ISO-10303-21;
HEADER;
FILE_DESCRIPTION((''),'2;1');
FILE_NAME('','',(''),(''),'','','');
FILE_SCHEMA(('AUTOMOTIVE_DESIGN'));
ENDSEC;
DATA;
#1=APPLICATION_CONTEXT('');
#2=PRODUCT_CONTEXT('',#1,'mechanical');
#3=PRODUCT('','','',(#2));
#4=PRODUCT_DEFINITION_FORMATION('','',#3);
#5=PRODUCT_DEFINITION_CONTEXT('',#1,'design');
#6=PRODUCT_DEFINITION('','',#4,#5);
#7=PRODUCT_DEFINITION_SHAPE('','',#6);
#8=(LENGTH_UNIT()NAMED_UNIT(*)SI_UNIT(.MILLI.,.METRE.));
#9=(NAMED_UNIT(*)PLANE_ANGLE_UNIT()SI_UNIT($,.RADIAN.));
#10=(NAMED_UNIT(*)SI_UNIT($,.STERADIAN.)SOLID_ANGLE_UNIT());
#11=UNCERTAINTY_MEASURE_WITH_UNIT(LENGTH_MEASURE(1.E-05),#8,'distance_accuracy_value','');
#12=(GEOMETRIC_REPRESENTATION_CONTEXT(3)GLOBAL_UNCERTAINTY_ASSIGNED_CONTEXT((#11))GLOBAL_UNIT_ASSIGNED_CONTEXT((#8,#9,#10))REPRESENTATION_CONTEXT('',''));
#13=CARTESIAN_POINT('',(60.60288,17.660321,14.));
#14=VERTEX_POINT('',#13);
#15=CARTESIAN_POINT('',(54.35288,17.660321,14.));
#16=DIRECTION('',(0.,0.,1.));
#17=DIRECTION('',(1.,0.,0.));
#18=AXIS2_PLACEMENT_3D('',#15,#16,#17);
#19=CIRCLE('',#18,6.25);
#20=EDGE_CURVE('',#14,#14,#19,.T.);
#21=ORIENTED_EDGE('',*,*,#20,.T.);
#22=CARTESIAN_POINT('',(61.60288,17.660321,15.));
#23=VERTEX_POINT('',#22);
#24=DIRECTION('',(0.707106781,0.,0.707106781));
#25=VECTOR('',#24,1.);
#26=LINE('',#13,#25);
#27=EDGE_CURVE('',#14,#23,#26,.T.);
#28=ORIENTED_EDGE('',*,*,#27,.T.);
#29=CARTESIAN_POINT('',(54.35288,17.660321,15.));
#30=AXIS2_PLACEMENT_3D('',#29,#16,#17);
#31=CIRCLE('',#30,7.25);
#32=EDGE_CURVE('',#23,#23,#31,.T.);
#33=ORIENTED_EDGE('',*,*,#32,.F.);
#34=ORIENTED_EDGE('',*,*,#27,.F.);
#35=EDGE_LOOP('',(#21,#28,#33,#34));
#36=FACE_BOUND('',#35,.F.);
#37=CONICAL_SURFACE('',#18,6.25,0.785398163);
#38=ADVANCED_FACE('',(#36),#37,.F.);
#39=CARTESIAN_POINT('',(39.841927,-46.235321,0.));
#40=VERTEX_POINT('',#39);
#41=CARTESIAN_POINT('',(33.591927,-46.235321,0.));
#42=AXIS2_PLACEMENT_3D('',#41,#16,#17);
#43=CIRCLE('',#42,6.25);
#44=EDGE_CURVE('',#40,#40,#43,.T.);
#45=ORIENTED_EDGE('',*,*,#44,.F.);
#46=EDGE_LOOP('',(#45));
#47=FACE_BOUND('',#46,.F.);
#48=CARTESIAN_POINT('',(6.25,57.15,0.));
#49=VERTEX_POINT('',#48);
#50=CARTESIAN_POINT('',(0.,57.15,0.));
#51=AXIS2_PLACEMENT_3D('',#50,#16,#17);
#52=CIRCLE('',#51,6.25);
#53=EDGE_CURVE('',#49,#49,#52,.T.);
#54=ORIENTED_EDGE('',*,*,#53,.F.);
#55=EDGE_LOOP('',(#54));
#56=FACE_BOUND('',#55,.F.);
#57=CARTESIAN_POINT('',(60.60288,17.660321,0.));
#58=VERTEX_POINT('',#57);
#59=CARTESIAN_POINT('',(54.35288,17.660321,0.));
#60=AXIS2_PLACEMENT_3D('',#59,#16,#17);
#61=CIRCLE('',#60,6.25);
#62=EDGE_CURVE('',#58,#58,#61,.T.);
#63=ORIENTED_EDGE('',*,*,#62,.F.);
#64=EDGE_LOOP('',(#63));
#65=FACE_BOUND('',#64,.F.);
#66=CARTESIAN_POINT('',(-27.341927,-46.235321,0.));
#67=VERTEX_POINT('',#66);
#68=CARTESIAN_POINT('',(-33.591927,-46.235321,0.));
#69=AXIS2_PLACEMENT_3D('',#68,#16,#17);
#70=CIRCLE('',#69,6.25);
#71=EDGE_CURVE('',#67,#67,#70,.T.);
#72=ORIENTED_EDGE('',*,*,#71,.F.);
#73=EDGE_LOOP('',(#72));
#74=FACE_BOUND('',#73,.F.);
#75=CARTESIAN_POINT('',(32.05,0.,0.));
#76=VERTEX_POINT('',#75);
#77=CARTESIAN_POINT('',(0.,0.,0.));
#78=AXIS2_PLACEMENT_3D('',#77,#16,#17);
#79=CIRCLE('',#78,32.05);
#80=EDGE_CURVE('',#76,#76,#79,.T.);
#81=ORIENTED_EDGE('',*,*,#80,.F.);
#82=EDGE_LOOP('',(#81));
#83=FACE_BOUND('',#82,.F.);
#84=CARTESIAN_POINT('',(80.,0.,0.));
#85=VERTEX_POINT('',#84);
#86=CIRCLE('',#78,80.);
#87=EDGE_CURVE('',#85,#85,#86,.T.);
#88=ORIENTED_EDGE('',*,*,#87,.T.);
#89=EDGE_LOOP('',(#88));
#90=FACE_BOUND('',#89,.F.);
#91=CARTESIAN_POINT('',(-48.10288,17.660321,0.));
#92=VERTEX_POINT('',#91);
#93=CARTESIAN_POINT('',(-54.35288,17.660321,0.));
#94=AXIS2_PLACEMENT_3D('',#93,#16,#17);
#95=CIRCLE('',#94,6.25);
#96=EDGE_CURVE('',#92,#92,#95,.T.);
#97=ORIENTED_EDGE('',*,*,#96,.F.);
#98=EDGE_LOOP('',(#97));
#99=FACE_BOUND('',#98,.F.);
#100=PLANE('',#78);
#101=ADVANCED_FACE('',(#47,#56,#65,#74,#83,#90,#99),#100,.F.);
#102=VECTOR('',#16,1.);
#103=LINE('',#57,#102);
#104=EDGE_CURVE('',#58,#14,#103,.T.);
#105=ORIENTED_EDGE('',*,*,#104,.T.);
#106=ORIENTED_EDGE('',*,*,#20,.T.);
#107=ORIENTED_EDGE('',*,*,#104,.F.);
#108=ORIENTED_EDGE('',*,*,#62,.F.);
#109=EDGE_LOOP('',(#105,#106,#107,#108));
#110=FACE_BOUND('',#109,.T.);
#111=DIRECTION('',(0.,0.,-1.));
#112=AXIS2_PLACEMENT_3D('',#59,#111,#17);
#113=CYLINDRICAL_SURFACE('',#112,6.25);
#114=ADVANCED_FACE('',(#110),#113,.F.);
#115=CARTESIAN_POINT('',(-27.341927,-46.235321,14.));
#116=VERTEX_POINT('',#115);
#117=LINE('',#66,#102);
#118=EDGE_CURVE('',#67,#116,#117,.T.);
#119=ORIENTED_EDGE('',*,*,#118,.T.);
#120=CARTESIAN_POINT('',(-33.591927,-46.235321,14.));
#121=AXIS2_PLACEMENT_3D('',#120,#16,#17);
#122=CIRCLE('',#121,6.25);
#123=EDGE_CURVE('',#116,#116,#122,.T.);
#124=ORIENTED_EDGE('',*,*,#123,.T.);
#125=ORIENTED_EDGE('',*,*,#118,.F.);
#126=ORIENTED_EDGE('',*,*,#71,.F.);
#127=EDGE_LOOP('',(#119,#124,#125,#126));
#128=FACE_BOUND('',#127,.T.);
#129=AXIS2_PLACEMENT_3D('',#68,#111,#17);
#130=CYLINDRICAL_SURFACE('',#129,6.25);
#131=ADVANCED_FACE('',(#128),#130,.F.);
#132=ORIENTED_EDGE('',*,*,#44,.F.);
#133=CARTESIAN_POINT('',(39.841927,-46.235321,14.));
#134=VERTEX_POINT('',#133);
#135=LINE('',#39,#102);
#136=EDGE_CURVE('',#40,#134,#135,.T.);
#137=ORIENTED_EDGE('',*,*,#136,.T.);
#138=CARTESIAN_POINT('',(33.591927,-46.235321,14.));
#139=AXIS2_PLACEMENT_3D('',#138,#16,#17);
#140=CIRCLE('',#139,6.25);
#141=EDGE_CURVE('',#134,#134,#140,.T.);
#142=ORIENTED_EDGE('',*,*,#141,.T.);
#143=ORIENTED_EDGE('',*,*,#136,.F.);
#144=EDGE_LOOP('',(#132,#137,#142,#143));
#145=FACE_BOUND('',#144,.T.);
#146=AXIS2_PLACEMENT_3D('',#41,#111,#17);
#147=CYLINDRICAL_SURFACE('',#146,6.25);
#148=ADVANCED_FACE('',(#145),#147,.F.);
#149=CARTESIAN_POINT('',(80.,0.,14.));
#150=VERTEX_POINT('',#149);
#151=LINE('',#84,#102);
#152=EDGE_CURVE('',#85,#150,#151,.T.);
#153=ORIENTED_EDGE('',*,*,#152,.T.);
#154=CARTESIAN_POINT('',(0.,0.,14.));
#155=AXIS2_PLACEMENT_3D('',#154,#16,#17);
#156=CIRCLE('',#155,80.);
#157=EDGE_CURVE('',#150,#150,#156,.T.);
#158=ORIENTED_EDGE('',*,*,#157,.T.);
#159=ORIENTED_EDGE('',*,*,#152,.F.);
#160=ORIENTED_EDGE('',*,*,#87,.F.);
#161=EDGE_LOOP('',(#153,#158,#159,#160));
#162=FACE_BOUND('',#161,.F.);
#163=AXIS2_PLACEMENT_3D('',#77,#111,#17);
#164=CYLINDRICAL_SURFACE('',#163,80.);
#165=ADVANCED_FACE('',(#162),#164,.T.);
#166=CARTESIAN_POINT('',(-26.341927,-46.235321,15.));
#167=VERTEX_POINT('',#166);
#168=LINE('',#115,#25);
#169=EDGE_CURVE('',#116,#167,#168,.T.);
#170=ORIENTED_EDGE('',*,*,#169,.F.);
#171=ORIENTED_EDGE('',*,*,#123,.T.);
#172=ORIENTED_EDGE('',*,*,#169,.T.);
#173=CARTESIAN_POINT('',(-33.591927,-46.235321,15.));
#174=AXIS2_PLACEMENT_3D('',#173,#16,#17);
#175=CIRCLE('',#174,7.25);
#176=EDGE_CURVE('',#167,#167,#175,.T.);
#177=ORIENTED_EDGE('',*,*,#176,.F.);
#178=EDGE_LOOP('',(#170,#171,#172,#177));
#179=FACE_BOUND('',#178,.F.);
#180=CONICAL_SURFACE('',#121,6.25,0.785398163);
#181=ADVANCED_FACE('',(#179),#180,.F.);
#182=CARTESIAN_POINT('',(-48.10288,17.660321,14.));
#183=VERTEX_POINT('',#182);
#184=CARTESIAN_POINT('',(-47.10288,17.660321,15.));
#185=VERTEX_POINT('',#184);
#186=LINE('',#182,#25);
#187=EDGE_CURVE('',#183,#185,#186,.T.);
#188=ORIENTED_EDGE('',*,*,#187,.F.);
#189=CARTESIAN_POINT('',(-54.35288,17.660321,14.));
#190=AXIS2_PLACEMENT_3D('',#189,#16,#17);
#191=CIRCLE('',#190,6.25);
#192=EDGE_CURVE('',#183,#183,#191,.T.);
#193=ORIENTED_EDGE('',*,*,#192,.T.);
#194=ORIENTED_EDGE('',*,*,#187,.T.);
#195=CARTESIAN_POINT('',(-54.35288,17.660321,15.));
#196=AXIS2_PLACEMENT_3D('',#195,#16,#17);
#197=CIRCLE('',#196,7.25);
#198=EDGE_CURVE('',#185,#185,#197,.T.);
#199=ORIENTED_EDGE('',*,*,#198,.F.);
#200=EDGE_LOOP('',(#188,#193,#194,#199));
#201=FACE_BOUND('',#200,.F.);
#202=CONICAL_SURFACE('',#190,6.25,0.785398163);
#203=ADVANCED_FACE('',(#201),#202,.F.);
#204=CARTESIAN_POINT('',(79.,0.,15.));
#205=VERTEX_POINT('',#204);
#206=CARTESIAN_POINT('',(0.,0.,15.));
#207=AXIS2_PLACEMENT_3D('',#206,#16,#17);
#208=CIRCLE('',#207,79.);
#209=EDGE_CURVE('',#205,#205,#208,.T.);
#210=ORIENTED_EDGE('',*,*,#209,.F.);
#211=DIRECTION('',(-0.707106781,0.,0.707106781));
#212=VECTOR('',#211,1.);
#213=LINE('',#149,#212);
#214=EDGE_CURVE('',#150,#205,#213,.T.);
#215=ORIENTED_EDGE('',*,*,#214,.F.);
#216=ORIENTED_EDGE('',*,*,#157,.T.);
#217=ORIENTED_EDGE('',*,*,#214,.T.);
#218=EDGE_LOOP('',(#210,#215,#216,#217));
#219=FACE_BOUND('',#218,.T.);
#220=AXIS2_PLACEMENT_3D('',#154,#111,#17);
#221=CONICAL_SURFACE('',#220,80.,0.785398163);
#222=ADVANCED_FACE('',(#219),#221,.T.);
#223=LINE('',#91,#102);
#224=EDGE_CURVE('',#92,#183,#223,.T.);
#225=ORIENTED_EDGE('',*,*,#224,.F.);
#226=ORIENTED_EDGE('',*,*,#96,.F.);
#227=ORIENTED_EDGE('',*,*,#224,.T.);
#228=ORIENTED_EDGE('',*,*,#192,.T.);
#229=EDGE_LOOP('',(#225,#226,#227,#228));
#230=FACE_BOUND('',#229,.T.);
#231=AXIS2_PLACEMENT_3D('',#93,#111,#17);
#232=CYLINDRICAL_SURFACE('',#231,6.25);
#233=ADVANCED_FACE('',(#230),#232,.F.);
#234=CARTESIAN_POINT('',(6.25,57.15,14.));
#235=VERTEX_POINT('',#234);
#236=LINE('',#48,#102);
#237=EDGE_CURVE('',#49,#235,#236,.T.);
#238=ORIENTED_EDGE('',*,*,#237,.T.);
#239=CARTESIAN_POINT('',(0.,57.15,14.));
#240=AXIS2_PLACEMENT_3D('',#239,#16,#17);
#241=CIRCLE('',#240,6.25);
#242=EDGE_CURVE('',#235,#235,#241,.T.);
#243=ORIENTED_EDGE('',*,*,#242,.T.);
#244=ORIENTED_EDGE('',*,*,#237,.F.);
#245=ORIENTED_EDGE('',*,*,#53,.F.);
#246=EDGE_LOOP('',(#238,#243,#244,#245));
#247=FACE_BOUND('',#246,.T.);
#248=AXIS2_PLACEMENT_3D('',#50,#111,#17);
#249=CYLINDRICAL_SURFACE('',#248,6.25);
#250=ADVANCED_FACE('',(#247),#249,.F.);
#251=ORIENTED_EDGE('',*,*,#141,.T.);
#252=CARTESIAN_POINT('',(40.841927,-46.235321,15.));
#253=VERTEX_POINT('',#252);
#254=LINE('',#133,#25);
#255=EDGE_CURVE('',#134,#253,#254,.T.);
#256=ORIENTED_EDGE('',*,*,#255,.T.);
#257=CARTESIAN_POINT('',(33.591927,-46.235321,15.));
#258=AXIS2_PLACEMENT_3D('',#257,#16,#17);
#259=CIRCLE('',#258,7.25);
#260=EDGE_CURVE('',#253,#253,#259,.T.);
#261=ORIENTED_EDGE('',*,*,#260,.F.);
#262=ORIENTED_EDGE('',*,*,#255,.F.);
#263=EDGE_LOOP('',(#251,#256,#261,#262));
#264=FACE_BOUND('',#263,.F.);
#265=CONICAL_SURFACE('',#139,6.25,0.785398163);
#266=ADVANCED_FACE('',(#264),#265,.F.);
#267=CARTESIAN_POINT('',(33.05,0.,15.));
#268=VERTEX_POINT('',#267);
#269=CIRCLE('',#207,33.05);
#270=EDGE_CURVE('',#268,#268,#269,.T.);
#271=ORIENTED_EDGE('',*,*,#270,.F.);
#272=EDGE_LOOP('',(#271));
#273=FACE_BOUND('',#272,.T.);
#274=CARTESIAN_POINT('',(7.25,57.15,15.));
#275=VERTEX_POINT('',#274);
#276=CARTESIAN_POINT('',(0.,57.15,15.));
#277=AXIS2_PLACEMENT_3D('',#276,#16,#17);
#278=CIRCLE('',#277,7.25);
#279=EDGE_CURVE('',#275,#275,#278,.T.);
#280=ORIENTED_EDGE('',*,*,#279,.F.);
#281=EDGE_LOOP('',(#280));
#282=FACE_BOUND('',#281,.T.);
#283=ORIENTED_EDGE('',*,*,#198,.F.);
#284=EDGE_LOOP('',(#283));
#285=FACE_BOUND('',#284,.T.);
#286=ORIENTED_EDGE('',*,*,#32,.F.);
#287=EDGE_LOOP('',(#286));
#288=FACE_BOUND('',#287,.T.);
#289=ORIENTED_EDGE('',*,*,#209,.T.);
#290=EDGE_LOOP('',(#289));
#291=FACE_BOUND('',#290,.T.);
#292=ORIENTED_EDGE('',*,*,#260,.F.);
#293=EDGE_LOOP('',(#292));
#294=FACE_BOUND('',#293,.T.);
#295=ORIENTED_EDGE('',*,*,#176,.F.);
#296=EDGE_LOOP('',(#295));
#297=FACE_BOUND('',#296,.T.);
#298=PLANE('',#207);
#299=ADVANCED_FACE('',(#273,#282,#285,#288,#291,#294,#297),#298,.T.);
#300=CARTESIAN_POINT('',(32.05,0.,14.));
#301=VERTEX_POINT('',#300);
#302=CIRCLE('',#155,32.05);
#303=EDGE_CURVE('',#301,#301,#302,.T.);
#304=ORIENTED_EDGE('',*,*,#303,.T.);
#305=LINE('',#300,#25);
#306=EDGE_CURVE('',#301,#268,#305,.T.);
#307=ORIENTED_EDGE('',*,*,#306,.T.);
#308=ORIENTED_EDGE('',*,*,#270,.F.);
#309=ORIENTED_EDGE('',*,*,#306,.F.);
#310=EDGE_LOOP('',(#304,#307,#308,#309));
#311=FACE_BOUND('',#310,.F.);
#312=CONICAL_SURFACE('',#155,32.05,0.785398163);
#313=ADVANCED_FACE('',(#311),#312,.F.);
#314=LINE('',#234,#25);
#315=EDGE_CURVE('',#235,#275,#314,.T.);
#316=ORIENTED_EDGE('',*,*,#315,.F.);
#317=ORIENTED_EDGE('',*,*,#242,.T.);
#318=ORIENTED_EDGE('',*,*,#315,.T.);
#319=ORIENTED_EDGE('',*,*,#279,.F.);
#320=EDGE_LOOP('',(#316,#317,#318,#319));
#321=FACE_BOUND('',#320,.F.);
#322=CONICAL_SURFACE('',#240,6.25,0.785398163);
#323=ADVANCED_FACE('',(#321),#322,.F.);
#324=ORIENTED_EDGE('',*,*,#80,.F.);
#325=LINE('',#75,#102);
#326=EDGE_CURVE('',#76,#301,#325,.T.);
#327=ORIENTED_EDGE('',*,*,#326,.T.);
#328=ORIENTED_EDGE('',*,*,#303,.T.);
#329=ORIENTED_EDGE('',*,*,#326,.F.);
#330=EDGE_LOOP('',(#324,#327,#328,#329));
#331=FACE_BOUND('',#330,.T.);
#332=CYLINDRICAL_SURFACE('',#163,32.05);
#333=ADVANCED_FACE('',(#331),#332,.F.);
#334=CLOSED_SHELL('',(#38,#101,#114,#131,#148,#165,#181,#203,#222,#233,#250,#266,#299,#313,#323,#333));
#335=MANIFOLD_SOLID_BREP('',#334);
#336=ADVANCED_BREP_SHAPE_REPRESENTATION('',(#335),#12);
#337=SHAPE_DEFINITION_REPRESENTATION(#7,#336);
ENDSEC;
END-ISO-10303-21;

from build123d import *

# Parameters (mm, degrees)
F0_R     = 80
F0_R_2   = 6.25
F0_R_3   = 32.05
F1_DEPTH = 15
F2_SIZE  = 1


with BuildPart() as f1:
    # F0 (on Top) → F1 (new body)
    with BuildSketch(Plane.XY):
        Circle(F0_R)
        with Locations((-33.591927, -46.235321)):
            Circle(F0_R_2, mode=Mode.SUBTRACT)
        with Locations((33.591927, -46.235321)):
            Circle(F0_R_2, mode=Mode.SUBTRACT)
        with Locations((-54.35288, 17.660321)):
            Circle(F0_R_2, mode=Mode.SUBTRACT)
        Circle(F0_R_3, mode=Mode.SUBTRACT)
        with Locations((54.35288, 17.660321)):
            Circle(F0_R_2, mode=Mode.SUBTRACT)
        with Locations((0, 57.15)):
            Circle(F0_R_2, mode=Mode.SUBTRACT)
    extrude(amount=F1_DEPTH)

    # F2
    f2_edges = [f1.edges().sort_by_distance(p)[0] for p in [
        (-80, 0, 15),
        (-39.841927, -46.235321, 15),
        (27.341927, -46.235321, 15),
        (-60.60288, 17.660321, 15),
        (-32.05, 0, 15),
        (48.10288, 17.660321, 15),
        (-6.25, 57.15, 15),
    ]]
    chamfer(f2_edges, length=F2_SIZE)


solid = f1.part
